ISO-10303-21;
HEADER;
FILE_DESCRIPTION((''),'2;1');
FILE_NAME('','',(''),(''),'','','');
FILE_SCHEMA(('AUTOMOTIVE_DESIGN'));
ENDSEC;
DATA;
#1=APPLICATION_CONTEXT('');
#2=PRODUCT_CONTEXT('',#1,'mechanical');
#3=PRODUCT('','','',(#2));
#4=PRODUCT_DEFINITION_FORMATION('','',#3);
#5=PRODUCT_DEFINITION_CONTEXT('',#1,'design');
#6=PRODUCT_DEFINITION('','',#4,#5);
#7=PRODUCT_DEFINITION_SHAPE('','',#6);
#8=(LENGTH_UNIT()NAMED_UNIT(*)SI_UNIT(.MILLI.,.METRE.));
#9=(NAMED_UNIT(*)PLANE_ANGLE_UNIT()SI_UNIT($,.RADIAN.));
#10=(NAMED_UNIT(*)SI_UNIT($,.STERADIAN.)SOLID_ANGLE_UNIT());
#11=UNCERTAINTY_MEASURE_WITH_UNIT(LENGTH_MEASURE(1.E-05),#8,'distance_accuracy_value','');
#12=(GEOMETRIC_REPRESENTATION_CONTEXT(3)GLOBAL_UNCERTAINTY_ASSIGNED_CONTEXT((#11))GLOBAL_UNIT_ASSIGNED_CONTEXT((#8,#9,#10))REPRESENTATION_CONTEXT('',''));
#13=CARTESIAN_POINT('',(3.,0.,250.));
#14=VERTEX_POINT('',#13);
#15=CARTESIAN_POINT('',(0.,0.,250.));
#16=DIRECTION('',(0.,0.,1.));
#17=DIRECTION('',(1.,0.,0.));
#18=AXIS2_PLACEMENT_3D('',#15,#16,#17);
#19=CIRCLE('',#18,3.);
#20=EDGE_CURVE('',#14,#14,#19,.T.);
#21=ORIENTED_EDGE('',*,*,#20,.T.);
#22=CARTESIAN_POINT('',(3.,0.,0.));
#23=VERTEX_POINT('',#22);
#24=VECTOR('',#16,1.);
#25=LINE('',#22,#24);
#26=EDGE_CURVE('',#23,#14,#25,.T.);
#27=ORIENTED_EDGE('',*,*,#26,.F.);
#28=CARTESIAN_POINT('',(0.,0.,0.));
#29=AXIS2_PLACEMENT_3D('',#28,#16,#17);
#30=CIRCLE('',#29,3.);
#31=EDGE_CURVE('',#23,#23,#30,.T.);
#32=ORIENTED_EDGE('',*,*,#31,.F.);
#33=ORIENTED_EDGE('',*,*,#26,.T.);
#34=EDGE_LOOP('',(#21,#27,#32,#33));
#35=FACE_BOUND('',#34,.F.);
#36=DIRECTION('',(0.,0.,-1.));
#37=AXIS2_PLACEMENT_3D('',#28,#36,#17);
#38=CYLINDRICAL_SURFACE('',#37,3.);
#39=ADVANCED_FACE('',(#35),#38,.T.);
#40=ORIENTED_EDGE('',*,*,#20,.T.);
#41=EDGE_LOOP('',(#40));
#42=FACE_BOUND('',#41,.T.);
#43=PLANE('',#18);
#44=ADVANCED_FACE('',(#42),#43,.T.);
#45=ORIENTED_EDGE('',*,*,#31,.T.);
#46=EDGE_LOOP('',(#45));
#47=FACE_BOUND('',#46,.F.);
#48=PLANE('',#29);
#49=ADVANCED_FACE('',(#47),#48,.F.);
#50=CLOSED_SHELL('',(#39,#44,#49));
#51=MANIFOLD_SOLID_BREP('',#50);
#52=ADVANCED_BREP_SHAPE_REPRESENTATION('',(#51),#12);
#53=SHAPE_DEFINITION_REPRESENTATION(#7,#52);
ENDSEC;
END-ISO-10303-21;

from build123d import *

# Parameters (mm, degrees)
ESBO_O1_R                = 3
RESSALTO_EXTRUS_O1_DEPTH = 250


with BuildPart() as part:
    # Esboço1 → Ressalto-extrusão1 (new body)
    with BuildSketch(Plane.XY):
        Circle(ESBO_O1_R)
    extrude(amount=RESSALTO_EXTRUS_O1_DEPTH)


solid = part.part
